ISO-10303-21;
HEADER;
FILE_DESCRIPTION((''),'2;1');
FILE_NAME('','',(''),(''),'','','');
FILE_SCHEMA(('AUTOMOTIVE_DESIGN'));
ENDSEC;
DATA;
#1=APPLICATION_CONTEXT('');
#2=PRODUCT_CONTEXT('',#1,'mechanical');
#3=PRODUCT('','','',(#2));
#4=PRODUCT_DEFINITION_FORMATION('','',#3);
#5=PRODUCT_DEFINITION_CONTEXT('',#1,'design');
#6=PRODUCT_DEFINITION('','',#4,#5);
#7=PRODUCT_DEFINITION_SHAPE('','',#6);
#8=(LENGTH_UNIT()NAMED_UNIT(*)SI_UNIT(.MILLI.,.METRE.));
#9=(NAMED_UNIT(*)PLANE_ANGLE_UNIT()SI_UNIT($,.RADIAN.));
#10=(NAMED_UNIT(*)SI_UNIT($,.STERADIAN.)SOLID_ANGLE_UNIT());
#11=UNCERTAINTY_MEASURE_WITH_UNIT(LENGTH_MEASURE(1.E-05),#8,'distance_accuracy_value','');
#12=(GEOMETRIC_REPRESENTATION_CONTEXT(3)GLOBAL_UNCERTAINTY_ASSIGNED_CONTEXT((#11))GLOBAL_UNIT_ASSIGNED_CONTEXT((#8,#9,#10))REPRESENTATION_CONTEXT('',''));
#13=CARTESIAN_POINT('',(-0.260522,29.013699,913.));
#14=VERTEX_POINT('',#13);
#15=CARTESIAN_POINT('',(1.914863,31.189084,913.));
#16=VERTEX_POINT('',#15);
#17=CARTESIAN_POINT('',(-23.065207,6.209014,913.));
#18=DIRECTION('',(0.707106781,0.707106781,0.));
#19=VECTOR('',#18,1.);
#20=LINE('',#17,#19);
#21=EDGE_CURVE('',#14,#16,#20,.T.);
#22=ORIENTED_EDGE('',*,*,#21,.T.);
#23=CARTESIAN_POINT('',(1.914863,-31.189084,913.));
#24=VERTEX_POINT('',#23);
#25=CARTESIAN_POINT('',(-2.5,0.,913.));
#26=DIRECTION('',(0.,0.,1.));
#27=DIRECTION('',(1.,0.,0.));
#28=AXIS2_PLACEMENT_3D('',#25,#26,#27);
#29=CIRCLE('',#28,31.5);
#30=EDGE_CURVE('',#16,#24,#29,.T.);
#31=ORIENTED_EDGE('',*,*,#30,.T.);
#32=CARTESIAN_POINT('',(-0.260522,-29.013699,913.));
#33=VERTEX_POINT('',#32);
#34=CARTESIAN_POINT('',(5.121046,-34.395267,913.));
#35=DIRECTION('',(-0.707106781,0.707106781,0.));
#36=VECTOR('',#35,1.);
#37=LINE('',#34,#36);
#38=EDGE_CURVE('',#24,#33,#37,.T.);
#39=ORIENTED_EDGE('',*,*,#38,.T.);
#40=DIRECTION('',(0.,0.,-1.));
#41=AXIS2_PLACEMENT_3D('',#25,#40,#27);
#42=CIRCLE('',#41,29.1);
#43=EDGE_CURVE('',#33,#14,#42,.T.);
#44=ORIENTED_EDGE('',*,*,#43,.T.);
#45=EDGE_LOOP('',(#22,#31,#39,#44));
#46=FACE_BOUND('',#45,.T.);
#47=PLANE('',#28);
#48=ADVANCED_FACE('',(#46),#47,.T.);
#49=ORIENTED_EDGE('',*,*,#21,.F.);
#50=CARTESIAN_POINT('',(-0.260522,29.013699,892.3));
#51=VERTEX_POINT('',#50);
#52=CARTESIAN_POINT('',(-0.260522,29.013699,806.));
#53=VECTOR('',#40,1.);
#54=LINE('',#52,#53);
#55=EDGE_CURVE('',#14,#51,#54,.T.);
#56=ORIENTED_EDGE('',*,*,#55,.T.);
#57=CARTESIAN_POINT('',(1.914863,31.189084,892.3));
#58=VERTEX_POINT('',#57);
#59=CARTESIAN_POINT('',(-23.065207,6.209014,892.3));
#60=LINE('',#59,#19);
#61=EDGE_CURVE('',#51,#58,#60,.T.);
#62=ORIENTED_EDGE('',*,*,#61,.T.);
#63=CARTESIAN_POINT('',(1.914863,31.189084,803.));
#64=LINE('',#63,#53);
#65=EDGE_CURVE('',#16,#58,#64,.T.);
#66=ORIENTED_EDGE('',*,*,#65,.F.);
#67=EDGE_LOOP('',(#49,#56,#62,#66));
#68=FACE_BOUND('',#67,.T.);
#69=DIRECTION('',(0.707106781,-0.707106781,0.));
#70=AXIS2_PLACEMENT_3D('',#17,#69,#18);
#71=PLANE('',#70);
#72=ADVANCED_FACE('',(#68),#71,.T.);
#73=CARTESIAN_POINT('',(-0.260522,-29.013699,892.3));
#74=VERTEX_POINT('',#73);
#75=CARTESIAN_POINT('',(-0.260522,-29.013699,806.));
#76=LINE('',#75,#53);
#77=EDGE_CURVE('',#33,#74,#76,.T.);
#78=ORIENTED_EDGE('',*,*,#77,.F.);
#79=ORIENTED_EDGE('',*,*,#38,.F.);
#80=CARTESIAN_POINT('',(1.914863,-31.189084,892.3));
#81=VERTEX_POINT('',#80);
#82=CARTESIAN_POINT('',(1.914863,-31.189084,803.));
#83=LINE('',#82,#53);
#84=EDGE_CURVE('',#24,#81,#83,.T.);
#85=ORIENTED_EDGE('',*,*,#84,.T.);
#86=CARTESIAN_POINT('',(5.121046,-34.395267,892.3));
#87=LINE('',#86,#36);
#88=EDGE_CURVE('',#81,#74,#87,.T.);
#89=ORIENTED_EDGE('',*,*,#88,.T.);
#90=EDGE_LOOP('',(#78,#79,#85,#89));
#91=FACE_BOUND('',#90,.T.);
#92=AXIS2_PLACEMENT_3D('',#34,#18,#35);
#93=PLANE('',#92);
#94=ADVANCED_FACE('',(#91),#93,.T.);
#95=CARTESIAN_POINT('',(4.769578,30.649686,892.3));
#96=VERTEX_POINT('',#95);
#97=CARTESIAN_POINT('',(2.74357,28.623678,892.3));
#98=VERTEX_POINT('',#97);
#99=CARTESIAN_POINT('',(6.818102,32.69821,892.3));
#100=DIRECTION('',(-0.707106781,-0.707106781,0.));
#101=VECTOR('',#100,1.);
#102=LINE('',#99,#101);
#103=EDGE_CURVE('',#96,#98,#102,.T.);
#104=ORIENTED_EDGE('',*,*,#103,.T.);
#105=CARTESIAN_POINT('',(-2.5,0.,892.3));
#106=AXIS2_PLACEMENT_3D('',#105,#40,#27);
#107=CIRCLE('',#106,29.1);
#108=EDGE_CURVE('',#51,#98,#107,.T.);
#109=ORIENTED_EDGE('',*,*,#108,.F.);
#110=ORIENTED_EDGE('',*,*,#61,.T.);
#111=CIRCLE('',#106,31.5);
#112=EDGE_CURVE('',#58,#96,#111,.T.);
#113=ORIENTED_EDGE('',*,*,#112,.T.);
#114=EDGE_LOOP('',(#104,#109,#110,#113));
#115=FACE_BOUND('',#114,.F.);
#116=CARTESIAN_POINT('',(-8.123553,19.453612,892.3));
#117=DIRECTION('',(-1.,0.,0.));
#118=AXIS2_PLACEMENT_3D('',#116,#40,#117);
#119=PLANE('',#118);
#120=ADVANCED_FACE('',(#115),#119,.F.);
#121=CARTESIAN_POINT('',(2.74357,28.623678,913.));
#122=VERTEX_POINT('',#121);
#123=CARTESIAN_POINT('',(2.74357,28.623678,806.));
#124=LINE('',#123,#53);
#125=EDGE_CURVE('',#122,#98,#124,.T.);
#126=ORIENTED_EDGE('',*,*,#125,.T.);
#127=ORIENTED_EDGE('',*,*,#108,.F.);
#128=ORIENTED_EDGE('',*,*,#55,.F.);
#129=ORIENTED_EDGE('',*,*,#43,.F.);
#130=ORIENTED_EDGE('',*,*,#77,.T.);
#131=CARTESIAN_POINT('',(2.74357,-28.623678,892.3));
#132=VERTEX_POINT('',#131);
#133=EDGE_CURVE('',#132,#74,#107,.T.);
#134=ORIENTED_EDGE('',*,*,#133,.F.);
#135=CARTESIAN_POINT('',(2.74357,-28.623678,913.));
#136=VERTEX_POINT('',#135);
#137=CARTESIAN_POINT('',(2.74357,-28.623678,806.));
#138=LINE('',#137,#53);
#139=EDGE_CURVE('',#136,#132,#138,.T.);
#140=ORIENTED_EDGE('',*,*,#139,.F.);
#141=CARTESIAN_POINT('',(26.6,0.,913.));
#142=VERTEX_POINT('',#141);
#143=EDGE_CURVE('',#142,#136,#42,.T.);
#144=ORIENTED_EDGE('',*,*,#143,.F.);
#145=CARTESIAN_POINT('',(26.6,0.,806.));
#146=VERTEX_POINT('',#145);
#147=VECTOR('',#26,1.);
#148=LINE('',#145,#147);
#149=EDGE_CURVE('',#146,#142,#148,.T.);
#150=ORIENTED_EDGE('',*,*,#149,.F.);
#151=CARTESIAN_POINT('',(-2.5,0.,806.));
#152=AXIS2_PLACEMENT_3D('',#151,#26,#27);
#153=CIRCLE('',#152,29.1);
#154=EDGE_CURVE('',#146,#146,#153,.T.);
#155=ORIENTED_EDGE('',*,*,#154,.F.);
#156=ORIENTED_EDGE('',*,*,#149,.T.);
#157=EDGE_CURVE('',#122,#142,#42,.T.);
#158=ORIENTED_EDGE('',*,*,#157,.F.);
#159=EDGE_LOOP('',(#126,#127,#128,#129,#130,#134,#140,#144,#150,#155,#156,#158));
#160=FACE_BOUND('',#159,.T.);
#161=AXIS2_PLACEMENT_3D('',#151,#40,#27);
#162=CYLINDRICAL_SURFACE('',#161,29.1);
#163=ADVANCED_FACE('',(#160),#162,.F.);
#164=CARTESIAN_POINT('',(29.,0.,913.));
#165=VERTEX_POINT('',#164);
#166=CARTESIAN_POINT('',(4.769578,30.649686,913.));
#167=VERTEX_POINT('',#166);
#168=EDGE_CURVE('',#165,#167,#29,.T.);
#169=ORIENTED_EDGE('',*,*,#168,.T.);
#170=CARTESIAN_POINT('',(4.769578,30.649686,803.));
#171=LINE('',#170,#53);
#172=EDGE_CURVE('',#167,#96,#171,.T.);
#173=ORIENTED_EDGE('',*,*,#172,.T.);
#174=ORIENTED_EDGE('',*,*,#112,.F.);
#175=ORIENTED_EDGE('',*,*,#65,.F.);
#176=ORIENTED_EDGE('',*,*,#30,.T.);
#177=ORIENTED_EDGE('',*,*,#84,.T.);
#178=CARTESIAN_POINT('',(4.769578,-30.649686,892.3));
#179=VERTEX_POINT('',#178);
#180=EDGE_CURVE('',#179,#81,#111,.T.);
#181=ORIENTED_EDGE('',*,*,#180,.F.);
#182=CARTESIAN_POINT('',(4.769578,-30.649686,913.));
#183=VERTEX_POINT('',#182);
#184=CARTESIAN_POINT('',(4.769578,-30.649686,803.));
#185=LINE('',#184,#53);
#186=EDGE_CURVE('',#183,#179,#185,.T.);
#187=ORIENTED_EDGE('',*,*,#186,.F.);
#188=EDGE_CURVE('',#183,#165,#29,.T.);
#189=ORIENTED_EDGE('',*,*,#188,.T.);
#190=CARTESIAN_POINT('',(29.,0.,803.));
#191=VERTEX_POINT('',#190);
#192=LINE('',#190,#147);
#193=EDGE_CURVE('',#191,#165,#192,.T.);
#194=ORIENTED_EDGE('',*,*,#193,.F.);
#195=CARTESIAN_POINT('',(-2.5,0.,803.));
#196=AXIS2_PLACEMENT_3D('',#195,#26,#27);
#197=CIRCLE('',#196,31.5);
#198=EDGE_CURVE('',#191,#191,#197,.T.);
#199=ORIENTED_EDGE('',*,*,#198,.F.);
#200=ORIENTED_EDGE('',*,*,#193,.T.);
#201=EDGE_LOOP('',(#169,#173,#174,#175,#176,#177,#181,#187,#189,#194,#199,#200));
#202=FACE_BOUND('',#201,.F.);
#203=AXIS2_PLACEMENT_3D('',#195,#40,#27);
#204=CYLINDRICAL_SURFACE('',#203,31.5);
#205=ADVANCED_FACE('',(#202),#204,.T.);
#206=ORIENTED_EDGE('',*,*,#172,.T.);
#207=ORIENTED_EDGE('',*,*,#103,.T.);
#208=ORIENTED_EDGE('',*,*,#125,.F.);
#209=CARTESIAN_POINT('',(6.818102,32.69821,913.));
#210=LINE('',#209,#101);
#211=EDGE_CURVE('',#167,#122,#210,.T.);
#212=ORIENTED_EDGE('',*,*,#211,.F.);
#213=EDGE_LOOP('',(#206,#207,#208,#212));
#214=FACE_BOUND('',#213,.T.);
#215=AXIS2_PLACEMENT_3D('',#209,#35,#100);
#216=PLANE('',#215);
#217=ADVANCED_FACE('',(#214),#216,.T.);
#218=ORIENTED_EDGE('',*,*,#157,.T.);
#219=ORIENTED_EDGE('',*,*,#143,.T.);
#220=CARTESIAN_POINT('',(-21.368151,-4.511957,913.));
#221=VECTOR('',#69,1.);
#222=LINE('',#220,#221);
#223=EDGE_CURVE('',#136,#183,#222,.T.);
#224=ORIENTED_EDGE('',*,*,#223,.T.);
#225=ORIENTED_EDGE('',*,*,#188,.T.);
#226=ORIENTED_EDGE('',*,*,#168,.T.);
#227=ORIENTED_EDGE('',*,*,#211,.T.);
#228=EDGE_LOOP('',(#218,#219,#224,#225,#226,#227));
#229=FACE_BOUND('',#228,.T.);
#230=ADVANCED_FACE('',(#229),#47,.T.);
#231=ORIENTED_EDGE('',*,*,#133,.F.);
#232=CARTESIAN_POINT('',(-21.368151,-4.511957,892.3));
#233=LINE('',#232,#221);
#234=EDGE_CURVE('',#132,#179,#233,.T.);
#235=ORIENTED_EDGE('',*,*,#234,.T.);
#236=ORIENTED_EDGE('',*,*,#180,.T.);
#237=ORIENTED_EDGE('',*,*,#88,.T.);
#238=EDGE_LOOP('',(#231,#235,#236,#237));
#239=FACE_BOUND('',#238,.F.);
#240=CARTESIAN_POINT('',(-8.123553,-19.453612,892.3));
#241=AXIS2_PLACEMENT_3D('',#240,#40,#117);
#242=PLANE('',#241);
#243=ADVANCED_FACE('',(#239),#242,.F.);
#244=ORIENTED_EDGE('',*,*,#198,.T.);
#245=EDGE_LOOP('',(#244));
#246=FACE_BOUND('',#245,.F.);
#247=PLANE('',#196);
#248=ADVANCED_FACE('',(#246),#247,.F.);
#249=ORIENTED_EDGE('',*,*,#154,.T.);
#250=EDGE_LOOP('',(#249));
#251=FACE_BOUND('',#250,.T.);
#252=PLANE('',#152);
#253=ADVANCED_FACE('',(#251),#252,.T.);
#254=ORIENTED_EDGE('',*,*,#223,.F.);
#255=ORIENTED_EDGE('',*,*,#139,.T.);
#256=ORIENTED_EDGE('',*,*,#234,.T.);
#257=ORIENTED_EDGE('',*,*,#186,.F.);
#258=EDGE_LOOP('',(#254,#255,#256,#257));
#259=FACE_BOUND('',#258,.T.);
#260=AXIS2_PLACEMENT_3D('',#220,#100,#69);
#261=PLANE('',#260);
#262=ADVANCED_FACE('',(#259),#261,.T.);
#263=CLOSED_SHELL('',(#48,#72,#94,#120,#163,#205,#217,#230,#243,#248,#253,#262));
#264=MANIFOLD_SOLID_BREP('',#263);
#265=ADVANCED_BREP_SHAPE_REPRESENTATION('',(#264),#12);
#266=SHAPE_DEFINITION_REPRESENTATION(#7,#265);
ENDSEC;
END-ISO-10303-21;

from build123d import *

# Parameters (mm, degrees)
CYLINDER007_R     = 31.5
CYLINDER007_DEPTH = 110
CYLINDER008_R     = 29.1
CYLINDER008_DEPTH = 110
POCKET064_DEPTH   = 20.7


with BuildPart() as part:
    # Cylinder007 → Cylinder007 (join)
    with BuildSketch(Plane.XY.offset(-31)):
        Circle(CYLINDER007_R)
    extrude(amount=CYLINDER007_DEPTH)

    # Cylinder008 → Cylinder008 (cut)
    with BuildSketch(Plane.XY.offset(-28)):
        Circle(CYLINDER008_R)
    extrude(amount=CYLINDER008_DEPTH, mode=Mode.SUBTRACT)

    # Sketch123 (on DatumPlane) → Pocket064 (cut)
    with BuildSketch(Plane.XY.offset(79)):
        Polygon((-20.565207, -6.209014), (-18.868151, -4.511957), (9.318102, -32.69821), (7.621046, -34.395267), align=None)
        Polygon((-18.868151, 4.511957), (-20.565207, 6.209014), (7.621046, 34.395267), (9.318102, 32.69821), align=None)
    extrude(amount=-POCKET064_DEPTH, mode=Mode.SUBTRACT)


with BuildPart() as part_1:
    # Body022024 placement: moved
    add(part.part.moved(Location((-2.5, 0, 834))))


solid = part_1.part
